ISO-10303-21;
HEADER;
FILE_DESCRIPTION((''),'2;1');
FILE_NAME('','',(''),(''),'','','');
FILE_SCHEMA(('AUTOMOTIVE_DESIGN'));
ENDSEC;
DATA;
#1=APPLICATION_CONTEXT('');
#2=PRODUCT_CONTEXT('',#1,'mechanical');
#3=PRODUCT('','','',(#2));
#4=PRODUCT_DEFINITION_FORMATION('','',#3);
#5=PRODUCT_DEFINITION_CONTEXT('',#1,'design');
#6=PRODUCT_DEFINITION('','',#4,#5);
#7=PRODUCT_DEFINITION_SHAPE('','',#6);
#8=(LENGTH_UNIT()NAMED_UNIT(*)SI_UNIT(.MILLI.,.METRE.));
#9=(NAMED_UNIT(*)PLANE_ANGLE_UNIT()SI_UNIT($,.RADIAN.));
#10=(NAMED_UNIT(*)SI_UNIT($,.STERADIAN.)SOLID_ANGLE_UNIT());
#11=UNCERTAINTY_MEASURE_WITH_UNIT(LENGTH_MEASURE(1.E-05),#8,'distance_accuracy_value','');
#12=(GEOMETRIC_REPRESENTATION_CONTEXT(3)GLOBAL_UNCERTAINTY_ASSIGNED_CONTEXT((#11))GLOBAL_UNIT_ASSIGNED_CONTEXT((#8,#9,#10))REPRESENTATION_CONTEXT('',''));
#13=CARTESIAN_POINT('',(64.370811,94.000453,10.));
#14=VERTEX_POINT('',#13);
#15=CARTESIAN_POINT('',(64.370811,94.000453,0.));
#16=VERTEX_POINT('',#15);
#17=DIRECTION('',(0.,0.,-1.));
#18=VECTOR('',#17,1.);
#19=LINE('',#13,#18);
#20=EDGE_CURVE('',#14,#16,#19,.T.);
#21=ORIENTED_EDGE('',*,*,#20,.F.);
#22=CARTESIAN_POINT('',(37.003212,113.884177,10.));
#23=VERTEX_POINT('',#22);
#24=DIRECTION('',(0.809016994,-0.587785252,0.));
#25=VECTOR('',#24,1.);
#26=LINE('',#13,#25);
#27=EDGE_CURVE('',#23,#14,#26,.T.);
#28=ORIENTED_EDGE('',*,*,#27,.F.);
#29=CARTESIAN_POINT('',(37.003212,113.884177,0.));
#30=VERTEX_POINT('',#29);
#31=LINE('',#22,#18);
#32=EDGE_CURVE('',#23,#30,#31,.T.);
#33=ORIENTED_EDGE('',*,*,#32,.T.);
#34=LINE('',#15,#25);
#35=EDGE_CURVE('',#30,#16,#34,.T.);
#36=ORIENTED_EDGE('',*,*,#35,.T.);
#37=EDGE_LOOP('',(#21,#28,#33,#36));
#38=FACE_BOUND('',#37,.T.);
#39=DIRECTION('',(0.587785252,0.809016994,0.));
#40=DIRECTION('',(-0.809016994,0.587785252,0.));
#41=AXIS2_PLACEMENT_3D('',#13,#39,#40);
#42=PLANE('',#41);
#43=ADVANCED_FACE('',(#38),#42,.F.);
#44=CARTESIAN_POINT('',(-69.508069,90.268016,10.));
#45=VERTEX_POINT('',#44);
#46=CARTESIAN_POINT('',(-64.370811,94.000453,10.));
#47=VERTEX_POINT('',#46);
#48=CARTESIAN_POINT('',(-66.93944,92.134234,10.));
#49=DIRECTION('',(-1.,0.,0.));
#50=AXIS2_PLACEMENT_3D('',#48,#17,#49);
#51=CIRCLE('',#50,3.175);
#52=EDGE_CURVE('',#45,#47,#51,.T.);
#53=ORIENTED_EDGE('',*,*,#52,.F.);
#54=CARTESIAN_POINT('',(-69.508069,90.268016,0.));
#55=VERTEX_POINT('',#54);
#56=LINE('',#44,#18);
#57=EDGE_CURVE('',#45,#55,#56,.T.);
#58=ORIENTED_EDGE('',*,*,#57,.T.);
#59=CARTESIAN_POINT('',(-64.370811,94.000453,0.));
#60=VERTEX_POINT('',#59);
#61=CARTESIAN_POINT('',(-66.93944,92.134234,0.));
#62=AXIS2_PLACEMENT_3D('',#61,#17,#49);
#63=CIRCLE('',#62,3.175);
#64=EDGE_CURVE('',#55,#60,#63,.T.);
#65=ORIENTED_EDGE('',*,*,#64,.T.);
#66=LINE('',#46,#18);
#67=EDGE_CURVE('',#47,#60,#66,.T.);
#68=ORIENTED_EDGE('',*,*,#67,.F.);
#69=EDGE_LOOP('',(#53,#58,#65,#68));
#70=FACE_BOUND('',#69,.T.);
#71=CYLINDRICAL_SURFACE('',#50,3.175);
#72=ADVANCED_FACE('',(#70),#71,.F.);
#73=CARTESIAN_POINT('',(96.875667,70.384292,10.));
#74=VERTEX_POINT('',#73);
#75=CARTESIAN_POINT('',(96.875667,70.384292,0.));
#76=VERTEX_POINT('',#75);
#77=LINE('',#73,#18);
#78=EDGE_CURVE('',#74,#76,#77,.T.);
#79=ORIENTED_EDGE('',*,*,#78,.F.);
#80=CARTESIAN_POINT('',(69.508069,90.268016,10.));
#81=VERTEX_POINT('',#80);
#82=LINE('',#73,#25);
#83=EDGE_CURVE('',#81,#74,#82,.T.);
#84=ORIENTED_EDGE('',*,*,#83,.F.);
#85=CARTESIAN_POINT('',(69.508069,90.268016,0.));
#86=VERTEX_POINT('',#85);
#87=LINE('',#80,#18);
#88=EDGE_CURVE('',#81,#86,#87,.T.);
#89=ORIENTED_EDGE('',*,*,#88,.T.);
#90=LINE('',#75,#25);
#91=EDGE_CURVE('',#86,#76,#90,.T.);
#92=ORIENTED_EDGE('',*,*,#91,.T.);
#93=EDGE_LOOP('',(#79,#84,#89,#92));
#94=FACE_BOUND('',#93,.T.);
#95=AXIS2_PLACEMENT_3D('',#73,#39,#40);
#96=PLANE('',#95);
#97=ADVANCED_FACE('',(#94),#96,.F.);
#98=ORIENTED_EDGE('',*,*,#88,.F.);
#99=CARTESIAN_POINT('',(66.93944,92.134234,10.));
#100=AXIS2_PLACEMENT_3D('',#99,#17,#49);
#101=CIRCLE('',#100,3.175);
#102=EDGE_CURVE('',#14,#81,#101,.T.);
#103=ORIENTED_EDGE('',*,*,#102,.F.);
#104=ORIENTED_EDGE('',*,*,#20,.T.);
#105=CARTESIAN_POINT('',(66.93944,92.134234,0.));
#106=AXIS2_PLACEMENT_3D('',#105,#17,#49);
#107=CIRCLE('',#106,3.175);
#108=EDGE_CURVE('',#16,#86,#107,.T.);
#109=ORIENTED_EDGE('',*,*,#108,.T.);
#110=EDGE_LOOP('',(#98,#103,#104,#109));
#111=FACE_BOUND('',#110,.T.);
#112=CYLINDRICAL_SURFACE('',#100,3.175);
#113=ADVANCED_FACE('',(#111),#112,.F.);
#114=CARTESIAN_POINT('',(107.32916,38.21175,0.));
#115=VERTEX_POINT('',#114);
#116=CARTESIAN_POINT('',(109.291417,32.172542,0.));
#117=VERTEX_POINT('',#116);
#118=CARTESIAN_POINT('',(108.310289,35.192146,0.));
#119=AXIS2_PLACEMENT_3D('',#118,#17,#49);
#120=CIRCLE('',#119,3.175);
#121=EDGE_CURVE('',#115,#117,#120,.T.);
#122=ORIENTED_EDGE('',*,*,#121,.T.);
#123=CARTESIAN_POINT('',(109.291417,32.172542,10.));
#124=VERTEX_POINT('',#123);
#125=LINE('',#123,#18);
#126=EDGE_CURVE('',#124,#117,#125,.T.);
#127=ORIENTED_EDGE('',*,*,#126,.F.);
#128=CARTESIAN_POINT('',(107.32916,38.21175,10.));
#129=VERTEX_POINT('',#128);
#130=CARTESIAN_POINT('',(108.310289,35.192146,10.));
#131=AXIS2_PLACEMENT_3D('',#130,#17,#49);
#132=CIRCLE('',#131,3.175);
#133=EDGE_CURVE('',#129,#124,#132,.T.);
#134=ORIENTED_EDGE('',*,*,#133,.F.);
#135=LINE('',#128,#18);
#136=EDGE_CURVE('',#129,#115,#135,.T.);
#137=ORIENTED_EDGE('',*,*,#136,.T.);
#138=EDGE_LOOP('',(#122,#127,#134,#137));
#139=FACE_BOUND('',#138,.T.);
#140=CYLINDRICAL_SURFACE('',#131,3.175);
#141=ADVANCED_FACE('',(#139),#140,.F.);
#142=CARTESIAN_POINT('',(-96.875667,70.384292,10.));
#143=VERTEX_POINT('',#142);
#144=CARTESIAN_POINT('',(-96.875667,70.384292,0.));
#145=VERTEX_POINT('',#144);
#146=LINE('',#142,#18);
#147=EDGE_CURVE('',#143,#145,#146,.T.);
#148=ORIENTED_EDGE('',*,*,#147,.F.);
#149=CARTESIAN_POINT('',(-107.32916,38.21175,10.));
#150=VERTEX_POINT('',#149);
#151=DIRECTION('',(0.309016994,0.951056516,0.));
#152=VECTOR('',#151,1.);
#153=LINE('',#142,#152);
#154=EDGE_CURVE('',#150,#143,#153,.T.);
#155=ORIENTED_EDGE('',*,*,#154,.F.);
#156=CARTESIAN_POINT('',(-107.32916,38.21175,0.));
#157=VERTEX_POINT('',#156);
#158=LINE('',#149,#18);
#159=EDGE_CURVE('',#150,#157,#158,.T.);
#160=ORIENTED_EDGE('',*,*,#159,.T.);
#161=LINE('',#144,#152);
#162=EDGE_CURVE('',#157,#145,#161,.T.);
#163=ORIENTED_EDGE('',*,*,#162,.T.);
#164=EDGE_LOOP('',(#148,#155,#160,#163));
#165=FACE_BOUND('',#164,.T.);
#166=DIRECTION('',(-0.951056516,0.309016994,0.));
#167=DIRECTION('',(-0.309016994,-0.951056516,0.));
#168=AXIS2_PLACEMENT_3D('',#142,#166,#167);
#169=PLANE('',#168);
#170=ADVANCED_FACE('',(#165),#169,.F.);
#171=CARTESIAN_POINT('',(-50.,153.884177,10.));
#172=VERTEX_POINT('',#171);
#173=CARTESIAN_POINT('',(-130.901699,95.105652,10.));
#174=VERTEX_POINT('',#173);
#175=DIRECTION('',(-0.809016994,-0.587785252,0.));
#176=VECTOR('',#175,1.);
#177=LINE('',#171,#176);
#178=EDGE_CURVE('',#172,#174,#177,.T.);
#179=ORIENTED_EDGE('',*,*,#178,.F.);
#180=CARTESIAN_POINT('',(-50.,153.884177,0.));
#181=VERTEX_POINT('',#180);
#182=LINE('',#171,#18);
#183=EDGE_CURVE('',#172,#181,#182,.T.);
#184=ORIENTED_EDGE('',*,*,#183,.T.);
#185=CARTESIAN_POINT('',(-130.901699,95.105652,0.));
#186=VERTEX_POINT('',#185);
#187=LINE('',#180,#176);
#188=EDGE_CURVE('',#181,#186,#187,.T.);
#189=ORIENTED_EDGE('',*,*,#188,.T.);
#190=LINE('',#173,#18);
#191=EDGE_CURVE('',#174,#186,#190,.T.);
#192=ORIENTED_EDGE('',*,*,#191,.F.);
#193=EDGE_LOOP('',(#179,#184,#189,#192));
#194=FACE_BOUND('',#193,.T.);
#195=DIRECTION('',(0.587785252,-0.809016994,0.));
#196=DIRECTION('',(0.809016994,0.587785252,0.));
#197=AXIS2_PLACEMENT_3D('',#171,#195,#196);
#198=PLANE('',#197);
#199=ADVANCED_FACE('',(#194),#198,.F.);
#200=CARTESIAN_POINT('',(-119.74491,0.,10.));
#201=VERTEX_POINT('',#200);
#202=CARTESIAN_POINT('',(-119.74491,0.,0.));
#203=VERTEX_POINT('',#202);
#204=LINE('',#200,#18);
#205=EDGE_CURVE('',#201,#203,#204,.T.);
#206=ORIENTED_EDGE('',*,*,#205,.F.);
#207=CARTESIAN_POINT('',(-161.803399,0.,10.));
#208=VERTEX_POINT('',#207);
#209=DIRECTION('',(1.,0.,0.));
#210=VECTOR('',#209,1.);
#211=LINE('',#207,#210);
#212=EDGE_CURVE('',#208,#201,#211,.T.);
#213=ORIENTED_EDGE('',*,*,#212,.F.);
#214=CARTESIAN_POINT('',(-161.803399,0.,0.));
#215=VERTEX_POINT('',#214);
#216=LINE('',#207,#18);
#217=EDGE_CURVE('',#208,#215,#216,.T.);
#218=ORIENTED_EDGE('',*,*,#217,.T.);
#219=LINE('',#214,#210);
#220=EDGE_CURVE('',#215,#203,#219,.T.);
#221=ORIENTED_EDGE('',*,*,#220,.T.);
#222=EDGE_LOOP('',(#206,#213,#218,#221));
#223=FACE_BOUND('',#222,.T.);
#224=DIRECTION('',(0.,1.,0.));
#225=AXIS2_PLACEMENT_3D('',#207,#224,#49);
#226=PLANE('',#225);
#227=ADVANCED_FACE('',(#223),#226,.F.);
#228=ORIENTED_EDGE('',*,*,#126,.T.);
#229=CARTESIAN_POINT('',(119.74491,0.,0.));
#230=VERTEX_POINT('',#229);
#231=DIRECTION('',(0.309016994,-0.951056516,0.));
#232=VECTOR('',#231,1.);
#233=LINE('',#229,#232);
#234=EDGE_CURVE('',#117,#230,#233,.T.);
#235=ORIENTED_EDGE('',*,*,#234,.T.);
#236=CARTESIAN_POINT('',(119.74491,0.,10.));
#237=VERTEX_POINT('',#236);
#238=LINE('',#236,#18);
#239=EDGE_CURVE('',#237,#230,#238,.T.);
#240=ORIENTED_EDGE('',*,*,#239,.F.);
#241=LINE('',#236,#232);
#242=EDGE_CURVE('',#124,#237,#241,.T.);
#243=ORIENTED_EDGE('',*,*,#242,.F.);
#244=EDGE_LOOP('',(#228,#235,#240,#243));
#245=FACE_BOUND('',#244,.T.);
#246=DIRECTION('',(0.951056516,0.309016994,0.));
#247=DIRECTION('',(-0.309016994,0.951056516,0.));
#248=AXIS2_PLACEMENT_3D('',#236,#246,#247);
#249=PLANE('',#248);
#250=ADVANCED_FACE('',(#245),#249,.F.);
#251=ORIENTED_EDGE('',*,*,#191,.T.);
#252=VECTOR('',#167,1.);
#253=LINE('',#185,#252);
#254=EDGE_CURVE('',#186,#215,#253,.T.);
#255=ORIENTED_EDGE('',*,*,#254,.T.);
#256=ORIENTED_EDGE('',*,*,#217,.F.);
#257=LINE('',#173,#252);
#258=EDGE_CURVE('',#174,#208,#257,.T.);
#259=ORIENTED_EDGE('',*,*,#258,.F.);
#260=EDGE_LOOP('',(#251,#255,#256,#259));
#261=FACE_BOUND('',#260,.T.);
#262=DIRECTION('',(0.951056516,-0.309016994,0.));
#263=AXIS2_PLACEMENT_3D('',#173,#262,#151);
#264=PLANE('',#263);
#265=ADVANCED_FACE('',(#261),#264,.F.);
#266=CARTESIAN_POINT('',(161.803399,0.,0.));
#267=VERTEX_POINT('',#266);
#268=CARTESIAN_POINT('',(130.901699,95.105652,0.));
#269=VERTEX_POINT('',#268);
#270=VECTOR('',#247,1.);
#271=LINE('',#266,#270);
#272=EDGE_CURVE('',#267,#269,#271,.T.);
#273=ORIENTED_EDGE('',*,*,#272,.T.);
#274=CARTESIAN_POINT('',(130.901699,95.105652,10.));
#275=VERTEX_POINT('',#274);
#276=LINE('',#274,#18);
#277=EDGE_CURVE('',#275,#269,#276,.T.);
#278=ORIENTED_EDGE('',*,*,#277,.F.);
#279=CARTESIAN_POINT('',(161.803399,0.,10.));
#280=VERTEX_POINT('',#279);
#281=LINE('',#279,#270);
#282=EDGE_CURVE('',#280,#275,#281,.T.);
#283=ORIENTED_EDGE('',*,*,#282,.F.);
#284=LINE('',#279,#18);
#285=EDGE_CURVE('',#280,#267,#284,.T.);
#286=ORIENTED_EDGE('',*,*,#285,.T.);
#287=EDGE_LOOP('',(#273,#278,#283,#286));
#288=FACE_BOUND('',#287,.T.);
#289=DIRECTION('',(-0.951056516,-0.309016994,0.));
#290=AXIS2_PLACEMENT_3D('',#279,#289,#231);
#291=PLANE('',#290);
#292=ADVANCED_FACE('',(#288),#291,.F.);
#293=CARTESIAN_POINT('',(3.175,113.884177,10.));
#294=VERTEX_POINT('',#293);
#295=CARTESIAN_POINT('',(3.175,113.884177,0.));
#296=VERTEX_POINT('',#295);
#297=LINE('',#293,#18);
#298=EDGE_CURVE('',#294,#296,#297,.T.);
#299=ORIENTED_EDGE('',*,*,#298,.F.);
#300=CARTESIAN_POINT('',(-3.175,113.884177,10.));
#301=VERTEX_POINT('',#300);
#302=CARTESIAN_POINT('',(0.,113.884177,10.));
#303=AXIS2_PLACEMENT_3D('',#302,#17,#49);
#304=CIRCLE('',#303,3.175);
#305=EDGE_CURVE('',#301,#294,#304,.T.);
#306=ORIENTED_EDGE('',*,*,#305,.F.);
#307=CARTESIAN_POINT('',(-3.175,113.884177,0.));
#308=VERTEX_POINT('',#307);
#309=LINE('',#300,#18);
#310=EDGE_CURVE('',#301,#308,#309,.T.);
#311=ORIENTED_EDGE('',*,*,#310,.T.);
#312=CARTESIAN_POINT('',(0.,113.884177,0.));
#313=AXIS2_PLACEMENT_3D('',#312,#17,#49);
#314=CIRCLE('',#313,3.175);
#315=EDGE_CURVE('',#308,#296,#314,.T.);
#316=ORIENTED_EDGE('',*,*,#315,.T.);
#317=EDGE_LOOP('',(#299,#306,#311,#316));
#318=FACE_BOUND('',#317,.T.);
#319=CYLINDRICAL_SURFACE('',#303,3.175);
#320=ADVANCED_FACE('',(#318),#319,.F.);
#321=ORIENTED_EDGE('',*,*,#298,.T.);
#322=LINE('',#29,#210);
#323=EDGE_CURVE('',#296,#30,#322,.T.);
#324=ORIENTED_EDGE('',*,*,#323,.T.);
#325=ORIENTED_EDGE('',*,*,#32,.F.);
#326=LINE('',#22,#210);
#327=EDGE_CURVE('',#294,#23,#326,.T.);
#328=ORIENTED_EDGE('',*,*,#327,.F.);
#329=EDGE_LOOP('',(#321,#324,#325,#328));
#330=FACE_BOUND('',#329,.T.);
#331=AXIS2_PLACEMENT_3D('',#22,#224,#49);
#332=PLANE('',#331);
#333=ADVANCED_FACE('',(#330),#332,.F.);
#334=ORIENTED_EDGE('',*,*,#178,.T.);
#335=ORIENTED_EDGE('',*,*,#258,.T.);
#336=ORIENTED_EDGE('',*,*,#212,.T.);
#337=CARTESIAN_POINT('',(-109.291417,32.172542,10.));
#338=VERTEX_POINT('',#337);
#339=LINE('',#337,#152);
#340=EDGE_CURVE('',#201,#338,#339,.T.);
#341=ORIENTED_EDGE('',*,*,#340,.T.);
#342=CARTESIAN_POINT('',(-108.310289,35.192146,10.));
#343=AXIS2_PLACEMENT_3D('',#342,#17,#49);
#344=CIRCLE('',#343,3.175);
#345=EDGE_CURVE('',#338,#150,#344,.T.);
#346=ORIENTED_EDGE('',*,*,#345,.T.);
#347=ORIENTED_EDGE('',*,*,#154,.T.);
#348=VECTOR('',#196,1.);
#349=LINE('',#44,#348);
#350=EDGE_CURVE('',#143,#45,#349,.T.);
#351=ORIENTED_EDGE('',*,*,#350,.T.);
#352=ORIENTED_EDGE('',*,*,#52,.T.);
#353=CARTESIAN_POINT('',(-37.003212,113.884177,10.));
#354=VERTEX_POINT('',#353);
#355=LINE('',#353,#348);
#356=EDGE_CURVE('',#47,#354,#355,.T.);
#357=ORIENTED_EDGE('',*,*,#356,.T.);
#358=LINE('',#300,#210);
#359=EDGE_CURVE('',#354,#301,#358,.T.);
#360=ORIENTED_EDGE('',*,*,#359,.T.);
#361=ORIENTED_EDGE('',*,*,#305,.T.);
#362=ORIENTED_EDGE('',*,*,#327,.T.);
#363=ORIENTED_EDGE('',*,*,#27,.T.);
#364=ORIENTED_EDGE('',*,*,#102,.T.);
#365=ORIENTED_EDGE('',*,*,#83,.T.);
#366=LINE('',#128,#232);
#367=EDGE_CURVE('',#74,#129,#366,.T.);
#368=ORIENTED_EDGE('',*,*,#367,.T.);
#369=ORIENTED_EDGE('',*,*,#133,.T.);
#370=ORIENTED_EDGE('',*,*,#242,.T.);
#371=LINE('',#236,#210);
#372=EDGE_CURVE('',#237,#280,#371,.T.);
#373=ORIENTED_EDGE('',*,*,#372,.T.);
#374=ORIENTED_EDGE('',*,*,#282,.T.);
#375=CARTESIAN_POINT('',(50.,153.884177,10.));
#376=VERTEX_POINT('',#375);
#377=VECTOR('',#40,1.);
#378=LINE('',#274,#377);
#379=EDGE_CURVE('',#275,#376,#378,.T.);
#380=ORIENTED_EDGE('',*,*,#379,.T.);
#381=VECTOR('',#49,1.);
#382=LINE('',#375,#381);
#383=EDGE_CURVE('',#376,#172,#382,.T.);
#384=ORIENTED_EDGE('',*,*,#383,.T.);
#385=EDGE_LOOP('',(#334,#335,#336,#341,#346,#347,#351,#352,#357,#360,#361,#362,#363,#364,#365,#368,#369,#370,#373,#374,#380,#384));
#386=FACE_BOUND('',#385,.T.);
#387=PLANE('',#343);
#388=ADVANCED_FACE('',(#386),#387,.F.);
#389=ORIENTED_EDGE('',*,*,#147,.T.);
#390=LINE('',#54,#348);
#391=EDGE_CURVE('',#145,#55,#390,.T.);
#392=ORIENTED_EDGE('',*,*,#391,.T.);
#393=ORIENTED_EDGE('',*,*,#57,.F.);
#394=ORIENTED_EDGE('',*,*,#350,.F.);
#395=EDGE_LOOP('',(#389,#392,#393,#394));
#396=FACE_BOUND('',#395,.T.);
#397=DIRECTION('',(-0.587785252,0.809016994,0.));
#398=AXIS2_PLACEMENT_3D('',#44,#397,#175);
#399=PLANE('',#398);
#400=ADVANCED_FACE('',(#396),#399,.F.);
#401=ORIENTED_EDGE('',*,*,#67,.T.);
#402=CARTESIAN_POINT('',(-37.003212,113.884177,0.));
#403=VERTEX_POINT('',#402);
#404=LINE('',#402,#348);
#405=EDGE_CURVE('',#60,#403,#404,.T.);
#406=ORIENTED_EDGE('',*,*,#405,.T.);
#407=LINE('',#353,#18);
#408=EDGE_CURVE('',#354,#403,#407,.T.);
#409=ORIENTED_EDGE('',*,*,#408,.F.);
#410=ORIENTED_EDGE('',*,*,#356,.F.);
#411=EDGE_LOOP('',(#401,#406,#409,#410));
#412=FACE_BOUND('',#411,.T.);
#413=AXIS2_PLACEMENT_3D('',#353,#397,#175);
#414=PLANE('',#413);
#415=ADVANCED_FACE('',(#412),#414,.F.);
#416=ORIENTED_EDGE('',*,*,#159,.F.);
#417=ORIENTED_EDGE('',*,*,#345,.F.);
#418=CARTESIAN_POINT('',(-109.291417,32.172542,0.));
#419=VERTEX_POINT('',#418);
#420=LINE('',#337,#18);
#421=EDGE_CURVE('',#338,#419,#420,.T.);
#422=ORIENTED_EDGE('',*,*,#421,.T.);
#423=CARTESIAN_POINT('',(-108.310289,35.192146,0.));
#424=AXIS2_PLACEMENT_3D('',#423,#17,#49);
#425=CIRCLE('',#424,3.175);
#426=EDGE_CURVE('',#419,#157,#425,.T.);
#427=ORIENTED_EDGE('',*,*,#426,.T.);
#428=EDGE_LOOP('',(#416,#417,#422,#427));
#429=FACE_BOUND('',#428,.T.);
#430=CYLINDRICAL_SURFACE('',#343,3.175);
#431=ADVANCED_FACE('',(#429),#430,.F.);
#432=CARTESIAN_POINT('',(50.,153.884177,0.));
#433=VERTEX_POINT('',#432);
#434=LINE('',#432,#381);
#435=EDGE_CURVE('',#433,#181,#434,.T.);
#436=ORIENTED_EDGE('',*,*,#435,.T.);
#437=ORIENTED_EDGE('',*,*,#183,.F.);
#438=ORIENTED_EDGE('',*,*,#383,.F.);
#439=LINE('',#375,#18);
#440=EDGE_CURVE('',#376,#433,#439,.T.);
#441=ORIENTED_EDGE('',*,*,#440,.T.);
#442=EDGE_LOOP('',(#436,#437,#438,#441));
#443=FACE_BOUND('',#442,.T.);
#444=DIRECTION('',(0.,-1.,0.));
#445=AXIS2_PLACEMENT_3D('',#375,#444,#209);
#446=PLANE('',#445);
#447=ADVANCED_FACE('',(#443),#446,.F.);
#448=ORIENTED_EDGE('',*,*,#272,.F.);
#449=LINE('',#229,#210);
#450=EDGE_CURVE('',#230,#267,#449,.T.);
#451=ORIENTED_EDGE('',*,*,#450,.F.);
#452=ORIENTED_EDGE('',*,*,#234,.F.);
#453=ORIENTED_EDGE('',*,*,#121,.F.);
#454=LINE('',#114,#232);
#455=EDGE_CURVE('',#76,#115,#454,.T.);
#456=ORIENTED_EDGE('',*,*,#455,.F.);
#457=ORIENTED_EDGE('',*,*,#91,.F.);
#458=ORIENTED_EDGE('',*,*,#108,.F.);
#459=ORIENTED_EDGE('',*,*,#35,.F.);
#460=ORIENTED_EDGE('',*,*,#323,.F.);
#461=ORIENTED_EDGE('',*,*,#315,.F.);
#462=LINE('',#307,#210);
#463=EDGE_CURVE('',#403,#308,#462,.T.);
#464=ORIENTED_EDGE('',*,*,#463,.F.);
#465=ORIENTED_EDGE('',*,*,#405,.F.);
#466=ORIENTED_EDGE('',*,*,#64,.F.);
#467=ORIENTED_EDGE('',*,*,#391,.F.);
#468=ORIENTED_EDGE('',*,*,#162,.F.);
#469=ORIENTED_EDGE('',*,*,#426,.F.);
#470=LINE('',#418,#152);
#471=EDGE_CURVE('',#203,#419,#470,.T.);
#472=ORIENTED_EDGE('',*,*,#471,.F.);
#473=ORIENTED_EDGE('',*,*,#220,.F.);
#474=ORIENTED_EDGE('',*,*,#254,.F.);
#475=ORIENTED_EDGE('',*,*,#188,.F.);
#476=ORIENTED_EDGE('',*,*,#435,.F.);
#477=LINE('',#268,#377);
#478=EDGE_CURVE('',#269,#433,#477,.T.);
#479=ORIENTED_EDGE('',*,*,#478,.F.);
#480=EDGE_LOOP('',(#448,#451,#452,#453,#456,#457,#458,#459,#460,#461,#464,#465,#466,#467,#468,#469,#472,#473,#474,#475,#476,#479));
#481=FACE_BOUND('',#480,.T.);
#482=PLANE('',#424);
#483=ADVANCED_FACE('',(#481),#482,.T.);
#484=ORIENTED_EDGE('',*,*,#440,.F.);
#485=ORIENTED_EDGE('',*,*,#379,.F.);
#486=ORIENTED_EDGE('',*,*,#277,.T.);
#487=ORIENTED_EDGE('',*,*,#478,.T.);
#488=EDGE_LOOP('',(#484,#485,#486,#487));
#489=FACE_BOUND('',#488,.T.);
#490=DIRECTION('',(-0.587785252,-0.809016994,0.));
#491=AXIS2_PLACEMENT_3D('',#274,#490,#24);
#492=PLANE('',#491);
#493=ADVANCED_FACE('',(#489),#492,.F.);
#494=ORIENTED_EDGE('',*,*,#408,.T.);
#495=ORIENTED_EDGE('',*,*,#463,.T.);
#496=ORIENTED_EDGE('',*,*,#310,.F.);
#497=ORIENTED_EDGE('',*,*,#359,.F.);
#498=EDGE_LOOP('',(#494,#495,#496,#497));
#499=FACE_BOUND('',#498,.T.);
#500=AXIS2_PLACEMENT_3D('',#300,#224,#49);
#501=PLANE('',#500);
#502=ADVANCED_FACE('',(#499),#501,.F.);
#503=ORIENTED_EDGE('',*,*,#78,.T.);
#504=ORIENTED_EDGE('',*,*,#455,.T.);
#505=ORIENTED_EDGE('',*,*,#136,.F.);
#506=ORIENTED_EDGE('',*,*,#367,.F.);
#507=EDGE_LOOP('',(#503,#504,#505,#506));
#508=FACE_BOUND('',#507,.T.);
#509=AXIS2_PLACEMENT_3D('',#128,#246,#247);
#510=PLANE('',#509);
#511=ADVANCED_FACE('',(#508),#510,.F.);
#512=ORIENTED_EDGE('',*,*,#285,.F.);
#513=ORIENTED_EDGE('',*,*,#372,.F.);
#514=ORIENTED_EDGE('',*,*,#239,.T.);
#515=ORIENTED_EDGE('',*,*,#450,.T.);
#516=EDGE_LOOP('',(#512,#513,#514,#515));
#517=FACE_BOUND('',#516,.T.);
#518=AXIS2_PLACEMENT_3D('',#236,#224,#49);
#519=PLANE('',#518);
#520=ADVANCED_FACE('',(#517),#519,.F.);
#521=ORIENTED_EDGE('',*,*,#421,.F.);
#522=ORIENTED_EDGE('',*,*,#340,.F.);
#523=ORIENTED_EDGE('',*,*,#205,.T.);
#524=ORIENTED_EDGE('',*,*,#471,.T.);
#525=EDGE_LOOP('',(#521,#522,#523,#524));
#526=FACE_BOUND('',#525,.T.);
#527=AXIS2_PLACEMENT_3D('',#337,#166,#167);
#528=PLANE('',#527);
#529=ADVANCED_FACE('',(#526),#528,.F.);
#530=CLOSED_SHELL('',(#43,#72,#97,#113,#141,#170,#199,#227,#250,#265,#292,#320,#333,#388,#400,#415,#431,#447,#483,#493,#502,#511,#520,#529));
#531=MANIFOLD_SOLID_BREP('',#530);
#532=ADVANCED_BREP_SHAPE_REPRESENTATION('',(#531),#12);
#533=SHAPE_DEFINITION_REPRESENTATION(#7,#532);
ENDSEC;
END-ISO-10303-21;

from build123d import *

# Parameters (mm, degrees)
BOSS_EXTRUDE1_DEPTH = 10


with BuildPart() as part:
    # Sketch1 → Boss-Extrude1 (new body)
    with BuildSketch(Plane.XY):
        with BuildLine():
            Line((-96.875667103, 70.38429208), (-107.329159547, 38.211750479))
            ThreePointArc((-107.329159547, 38.211750479), (-111.329892944, 36.173274997), (-109.291417462, 32.172541601))
            Line((-109.291417462, 32.172541601), (-119.744909905, 0))
            Line((-119.744909905, 0), (-161.803398875, 0))
            Line((-161.803398875, 0), (-130.901699437, 95.10565163))
            Line((-130.901699437, 95.10565163), (-50, 153.884176859))
            Line((-50, 153.884176859), (50, 153.884176859))
            Line((50, 153.884176859), (130.901699437, 95.10565163))
            Line((130.901699437, 95.10565163), (161.803398875, 0))
            Line((161.803398875, 0), (119.744909905, 0))
            Line((119.744909905, 0), (109.291417462, 32.172541601))
            ThreePointArc((109.291417462, 32.172541601), (111.329892944, 36.173274997), (107.329159547, 38.211750479))
            Line((107.329159547, 38.211750479), (96.875667103, 70.38429208))
            Line((96.875667103, 70.38429208), (69.508068584, 90.268016293))
            ThreePointArc((69.508068584, 90.268016293), (68.805657803, 94.702863426), (64.37081067, 94.000452645))
            Line((64.37081067, 94.000452645), (37.003212151, 113.884176859))
            Line((37.003212151, 113.884176859), (3.175, 113.884176859))
            ThreePointArc((3.175, 113.884176859), (0, 117.059176859), (-3.175, 113.884176859))
            Line((-3.175, 113.884176859), (-37.003212151, 113.884176859))
            Line((-37.003212151, 113.884176859), (-64.37081067, 94.000452645))
            ThreePointArc((-64.37081067, 94.000452645), (-68.805657803, 94.702863426), (-69.508068584, 90.268016293))
            Line((-69.508068584, 90.268016293), (-96.875667103, 70.38429208))
        make_face()
    extrude(amount=BOSS_EXTRUDE1_DEPTH)


solid = part.part
